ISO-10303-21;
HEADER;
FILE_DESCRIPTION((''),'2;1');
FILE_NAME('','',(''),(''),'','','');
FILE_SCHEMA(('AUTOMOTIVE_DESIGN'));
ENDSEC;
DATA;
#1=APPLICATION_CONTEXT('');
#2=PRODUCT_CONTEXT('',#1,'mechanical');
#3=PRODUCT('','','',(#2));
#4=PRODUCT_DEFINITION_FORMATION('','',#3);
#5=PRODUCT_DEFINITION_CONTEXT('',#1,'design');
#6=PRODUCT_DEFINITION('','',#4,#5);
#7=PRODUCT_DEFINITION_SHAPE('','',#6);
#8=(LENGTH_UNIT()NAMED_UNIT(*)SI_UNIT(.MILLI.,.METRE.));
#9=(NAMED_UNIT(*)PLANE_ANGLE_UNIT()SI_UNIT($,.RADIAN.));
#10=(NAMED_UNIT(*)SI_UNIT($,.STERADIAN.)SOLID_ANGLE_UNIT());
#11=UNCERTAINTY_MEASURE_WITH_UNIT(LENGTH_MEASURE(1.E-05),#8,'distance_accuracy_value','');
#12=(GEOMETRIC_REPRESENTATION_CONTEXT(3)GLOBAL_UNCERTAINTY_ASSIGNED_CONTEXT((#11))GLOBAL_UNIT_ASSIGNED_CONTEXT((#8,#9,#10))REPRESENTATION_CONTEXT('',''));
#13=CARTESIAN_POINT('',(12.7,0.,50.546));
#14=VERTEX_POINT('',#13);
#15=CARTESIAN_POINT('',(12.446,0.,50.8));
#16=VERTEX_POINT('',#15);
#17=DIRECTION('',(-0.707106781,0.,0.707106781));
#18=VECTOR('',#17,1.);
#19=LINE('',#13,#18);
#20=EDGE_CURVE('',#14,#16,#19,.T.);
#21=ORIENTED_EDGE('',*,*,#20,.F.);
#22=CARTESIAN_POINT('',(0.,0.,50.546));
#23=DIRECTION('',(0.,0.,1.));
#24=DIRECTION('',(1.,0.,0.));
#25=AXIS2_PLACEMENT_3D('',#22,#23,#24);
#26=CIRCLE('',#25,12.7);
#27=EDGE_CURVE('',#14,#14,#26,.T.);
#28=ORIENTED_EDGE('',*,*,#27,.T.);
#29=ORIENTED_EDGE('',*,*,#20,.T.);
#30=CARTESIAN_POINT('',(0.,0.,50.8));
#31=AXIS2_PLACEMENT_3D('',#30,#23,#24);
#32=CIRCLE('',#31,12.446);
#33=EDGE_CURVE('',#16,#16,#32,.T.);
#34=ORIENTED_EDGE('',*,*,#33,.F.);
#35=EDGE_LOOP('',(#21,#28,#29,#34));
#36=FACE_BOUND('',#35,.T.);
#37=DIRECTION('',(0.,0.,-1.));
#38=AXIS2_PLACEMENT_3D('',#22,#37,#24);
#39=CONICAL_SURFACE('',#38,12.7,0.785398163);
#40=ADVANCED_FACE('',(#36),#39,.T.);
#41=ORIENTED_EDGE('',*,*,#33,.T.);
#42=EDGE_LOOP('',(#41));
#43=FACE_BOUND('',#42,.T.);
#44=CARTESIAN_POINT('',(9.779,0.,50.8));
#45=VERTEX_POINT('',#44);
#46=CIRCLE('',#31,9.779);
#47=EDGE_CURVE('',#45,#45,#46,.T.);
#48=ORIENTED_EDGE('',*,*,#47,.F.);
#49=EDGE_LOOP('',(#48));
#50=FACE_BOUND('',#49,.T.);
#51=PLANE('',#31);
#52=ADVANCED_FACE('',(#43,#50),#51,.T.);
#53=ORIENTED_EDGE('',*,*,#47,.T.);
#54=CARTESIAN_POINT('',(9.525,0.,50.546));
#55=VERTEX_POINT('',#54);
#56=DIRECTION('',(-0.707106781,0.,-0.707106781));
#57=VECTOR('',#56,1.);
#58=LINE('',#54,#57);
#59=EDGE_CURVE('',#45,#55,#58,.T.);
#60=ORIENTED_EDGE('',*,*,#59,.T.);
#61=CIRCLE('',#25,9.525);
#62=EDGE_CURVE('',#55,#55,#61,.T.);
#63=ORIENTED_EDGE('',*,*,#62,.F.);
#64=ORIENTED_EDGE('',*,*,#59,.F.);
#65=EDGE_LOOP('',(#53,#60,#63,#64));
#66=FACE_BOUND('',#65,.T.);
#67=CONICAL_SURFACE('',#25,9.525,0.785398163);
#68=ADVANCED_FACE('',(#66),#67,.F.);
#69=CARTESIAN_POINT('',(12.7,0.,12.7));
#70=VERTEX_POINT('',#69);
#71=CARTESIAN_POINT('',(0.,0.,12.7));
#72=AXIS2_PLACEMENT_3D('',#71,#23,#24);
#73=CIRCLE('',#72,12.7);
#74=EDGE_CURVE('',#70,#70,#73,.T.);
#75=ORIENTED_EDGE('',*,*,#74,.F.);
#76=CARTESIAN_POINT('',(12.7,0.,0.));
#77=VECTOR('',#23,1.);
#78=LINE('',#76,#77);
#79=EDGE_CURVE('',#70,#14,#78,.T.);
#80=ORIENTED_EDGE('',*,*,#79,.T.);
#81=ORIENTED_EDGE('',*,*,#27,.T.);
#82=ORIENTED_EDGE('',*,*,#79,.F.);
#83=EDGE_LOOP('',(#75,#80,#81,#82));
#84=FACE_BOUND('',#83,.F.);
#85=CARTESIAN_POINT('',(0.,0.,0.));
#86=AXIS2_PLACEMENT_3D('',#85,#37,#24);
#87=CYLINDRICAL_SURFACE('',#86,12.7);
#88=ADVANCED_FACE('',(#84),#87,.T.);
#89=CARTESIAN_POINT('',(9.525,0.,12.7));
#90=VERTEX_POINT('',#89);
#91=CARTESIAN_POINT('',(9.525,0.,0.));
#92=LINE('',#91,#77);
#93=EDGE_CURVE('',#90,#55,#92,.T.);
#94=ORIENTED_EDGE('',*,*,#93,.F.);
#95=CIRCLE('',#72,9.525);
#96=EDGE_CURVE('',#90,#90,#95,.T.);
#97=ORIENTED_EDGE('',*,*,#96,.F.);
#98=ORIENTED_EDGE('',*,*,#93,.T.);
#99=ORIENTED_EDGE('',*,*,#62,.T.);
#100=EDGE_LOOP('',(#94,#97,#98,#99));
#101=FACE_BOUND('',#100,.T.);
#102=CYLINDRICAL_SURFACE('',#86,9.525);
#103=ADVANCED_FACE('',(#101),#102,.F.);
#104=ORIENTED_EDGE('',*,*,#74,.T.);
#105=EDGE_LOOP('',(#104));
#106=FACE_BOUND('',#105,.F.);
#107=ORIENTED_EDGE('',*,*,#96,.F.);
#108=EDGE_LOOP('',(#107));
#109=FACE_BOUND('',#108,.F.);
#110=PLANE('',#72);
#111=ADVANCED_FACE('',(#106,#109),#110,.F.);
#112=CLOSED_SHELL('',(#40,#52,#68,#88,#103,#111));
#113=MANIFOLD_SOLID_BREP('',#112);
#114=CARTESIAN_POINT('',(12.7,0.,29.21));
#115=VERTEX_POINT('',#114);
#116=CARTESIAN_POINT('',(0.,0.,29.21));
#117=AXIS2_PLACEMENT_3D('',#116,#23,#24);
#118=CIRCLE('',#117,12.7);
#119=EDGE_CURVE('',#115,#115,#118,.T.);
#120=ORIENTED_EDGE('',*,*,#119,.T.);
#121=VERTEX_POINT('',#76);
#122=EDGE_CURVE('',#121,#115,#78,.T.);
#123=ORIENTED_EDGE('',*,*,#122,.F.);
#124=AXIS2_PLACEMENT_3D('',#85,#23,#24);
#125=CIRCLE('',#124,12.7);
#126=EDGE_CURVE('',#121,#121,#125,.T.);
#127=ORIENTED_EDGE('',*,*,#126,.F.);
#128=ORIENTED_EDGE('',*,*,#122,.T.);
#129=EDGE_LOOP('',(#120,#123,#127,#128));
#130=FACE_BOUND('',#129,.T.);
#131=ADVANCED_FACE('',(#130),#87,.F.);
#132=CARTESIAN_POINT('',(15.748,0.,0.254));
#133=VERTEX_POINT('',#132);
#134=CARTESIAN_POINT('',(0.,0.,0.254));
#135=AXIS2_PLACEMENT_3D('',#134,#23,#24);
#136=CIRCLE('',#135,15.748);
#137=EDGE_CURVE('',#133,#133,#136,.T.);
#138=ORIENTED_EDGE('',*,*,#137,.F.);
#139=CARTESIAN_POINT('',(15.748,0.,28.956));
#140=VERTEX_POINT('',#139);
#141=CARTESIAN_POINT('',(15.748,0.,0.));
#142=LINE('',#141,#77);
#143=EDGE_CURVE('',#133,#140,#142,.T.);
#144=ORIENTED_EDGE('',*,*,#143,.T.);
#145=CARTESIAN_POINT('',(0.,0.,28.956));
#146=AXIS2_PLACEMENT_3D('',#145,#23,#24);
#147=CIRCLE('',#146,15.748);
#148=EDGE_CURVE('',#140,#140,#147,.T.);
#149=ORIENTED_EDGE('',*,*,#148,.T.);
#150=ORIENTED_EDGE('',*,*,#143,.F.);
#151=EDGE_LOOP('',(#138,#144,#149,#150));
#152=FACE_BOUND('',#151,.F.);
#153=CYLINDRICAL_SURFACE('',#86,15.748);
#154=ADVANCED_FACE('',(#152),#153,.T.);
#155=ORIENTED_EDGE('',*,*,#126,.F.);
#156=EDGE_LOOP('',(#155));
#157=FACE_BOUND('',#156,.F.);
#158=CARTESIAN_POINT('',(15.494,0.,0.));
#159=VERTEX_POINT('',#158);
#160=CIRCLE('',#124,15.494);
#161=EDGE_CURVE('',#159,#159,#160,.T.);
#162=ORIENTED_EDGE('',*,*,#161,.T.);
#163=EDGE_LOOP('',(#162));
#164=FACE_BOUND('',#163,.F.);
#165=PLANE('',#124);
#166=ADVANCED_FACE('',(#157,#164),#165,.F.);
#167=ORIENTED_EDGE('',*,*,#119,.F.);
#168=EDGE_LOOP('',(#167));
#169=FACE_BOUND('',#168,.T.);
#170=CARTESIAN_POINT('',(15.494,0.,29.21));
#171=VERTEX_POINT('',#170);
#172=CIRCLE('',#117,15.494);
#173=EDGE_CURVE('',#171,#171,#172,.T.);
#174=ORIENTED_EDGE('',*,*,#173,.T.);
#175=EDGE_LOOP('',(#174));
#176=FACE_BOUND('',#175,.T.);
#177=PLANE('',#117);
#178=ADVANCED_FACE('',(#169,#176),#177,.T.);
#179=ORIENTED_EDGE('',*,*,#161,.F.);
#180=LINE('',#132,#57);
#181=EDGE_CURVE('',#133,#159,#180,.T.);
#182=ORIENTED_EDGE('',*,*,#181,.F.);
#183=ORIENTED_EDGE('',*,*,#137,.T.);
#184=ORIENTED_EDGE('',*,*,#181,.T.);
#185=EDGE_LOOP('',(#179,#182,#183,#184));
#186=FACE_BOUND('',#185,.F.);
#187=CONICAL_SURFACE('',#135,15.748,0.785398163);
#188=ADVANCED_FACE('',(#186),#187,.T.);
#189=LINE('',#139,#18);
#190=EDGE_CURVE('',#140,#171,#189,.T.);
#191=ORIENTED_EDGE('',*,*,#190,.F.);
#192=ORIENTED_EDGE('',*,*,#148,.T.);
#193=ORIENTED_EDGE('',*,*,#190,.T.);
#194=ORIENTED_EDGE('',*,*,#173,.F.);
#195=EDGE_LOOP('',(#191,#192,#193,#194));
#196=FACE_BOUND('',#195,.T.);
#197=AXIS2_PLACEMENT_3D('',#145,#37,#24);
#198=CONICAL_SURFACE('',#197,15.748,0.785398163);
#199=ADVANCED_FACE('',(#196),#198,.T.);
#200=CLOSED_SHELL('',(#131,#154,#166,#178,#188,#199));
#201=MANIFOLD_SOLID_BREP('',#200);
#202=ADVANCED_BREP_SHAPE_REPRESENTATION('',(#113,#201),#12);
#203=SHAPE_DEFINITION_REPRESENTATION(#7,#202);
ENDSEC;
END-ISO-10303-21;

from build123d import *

# Parameters (mm, degrees)
F0_R      = 15.748
F0_R_2    = 12.7
F1_DEPTH  = 29.21
F0_R_3    = 9.525
F2_DEPTH  = 50.8
F3_DEPTH  = 12.7
F4_SIZE   = 0.254
F4_2_SIZE = 0.254


with BuildPart() as f1:
    # F0 (on Top) → F1 (new body)
    with BuildSketch(Plane.XY):
        Circle(F0_R)
        Circle(F0_R_2, mode=Mode.SUBTRACT)
    extrude(amount=F1_DEPTH)

    # F4#2
    f4_2_edges = [f1.edges().sort_by_distance(p)[0] for p in [
        (-15.748, 0, 29.21),
        (-15.748, 0, 0),
    ]]
    chamfer(f4_2_edges, length=F4_2_SIZE)


with BuildPart() as f2:
    # F0 (on Top) → F2 (new body)
    with BuildSketch(Plane.XY):
        Circle(F0_R_2)
        Circle(F0_R_3, mode=Mode.SUBTRACT)
    extrude(amount=F2_DEPTH)

    # F0 (on Top) → F3 (cut)
    with BuildSketch(Plane.XY):
        Circle(F0_R_2)
        Circle(F0_R_3, mode=Mode.SUBTRACT)
    extrude(amount=F3_DEPTH, mode=Mode.SUBTRACT)

    # F4
    f4_edges = [f2.edges().sort_by_distance(p)[0] for p in [
        (-12.7, 0, 50.8),
        (-9.525, 0, 50.8),
    ]]
    chamfer(f4_edges, length=F4_SIZE)


solid = Compound([f1.part, f2.part])
